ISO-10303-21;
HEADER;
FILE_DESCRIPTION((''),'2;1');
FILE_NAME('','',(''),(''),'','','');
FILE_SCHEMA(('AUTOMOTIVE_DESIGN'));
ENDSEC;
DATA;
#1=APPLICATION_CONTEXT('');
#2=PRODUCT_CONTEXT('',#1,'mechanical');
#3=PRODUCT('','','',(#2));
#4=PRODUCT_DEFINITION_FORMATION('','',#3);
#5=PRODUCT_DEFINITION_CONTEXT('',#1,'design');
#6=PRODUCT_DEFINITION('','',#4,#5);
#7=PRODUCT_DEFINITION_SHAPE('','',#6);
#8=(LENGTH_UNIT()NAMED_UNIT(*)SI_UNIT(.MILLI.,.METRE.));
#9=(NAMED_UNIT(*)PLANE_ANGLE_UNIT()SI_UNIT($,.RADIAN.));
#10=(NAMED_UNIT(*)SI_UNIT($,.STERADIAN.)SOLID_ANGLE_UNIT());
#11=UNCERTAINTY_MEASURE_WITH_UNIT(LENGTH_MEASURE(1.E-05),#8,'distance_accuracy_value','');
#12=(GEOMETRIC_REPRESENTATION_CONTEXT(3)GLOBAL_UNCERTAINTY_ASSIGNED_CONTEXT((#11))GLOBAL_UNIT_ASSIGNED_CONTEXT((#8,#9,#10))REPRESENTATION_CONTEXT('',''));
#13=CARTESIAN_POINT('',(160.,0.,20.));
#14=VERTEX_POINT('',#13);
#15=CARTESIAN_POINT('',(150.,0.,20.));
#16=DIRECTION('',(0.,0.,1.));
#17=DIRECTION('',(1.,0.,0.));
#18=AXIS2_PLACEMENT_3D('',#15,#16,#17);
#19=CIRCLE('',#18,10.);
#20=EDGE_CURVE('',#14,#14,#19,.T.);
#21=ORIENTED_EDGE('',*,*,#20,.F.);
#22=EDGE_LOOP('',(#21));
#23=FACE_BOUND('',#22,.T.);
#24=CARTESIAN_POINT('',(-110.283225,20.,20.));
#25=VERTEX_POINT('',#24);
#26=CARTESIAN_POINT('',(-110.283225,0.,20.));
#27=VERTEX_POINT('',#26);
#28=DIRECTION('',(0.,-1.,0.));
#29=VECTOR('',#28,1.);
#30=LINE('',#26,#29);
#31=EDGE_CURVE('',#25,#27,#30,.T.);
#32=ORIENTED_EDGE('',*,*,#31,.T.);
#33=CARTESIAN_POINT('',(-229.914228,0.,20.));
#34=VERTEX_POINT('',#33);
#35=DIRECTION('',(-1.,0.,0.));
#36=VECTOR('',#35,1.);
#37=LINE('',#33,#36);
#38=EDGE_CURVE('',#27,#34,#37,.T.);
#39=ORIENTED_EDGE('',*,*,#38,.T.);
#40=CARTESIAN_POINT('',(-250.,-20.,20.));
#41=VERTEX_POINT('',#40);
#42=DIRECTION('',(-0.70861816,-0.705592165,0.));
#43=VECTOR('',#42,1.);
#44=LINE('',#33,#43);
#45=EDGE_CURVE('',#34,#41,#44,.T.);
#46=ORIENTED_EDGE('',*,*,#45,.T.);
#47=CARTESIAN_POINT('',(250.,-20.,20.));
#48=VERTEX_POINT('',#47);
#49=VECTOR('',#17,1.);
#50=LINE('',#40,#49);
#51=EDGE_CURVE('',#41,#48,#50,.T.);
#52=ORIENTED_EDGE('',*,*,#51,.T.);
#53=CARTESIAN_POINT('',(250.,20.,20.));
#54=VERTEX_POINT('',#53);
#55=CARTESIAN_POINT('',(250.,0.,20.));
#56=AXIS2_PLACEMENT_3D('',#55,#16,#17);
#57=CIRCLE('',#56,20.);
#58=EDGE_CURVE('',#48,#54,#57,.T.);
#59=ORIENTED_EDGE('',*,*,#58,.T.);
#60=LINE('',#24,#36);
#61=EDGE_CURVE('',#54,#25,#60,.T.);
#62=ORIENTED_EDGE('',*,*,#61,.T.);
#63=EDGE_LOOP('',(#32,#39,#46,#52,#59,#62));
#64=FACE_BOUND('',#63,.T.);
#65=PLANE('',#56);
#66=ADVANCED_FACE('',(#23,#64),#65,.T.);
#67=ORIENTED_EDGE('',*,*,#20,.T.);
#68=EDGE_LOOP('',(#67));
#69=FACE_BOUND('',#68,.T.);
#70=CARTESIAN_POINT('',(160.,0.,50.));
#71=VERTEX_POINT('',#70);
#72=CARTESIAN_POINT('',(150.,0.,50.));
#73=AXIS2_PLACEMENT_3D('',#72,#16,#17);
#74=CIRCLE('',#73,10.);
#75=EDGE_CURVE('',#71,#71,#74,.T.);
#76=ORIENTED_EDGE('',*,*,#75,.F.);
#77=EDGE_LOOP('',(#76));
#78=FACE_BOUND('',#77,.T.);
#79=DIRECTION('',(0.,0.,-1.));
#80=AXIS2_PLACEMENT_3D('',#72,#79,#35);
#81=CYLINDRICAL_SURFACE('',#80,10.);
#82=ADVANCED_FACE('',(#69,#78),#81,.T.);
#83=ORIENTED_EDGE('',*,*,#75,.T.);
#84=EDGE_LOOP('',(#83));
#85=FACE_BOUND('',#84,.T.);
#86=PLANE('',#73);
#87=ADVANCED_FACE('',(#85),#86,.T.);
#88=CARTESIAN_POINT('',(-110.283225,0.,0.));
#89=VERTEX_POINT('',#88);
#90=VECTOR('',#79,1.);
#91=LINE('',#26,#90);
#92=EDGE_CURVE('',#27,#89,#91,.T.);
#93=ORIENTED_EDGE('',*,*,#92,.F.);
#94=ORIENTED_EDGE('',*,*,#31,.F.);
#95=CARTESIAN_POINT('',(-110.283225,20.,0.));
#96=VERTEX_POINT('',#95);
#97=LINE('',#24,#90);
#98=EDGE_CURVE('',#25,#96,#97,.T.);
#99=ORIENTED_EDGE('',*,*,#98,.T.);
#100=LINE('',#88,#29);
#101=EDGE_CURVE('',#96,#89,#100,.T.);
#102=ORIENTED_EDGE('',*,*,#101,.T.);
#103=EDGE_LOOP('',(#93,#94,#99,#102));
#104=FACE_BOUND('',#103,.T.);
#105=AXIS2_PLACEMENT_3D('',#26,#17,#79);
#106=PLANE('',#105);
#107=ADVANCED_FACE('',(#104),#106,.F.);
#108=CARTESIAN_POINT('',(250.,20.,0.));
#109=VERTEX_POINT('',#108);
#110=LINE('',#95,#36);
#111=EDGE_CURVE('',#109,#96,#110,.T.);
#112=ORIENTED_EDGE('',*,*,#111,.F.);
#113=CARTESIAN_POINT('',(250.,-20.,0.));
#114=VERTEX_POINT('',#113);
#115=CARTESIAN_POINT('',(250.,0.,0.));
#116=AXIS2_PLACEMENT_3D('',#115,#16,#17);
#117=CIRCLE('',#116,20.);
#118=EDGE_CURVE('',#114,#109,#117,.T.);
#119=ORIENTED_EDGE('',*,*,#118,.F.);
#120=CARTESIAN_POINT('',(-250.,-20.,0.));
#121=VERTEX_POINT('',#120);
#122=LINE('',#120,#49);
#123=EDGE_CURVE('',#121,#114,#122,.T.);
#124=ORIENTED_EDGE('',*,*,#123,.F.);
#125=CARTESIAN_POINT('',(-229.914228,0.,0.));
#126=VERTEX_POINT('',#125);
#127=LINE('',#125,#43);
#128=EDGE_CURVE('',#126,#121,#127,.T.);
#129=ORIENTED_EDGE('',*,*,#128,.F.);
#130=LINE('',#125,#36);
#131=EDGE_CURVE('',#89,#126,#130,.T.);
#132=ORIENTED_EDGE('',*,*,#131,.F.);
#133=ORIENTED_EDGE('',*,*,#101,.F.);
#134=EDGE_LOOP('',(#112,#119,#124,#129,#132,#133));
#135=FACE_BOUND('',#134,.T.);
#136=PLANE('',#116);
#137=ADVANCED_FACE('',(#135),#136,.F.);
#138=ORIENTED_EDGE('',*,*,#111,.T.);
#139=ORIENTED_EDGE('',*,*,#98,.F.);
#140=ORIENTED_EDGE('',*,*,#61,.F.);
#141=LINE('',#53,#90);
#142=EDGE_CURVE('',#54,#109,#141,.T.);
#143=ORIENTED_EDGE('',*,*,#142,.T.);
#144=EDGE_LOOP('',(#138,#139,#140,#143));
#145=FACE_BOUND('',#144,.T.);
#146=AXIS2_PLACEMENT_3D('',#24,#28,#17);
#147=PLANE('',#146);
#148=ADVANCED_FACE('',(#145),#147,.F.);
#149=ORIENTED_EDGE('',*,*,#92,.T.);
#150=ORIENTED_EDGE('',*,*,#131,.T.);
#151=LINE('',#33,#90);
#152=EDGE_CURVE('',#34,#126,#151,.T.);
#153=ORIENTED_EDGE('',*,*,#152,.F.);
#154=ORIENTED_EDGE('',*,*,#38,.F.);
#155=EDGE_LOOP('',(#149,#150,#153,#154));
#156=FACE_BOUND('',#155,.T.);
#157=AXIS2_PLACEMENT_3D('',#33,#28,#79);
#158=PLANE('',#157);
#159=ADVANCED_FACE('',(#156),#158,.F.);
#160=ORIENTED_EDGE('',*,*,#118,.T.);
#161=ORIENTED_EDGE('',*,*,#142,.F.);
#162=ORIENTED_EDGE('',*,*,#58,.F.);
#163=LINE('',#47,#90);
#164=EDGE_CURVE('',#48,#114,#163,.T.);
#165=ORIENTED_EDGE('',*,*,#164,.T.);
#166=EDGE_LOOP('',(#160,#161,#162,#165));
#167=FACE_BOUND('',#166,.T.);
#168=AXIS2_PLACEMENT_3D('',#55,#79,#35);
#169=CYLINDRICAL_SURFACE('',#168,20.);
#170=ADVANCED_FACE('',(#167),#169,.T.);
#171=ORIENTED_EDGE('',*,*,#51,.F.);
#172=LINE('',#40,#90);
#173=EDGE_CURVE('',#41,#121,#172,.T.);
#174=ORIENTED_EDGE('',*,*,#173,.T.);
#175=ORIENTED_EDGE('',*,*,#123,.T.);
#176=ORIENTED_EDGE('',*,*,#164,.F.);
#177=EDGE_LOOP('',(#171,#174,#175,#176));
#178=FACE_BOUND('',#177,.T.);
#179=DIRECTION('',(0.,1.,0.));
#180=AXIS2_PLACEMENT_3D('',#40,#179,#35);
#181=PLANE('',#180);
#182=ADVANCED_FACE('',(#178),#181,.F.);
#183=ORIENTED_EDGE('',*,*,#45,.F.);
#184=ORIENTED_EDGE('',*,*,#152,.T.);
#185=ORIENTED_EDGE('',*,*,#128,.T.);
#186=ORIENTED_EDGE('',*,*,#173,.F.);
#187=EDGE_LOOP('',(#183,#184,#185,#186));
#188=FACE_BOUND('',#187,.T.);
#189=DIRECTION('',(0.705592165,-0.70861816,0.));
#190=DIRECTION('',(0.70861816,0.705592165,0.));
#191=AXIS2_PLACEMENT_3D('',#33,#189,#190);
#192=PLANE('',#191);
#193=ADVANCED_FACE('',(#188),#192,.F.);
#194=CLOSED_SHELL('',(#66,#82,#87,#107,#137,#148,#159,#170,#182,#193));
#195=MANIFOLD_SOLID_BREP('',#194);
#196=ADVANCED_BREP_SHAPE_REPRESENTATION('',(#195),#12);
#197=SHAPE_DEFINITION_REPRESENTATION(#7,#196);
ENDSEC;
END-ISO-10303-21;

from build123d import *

# Parameters (mm, degrees)
SKETCH1_R           = 10
BOSS_EXTRUDE1_DEPTH = 20
SKETCH1_2_R         = 10
BOSS_EXTRUDE2_DEPTH = 50


with BuildPart() as part:
    # Sketch1 → Boss-Extrude1 (new body)
    with BuildSketch(Plane.XY):
        with BuildLine():
            Line((-229.914228229, 0), (-110.283225042, 0))
            Line((-110.283225042, 0), (-110.283225042, 20))
            Line((-110.283225042, 20), (250, 20))
            ThreePointArc((250, 20), (270, 0), (250, -20))
            Line((250, -20), (-250, -20))
            Line((-250, -20), (-229.914228229, 0))
        make_face()
        with Locations((150, 0)):
            Circle(SKETCH1_R, mode=Mode.SUBTRACT)
    extrude(amount=BOSS_EXTRUDE1_DEPTH)

    # Sketch1<2> → Boss-Extrude2 (add)
    with BuildSketch(Plane.XY):
        with Locations((150, 0)):
            Circle(SKETCH1_2_R)
    extrude(amount=BOSS_EXTRUDE2_DEPTH)


solid = part.part
